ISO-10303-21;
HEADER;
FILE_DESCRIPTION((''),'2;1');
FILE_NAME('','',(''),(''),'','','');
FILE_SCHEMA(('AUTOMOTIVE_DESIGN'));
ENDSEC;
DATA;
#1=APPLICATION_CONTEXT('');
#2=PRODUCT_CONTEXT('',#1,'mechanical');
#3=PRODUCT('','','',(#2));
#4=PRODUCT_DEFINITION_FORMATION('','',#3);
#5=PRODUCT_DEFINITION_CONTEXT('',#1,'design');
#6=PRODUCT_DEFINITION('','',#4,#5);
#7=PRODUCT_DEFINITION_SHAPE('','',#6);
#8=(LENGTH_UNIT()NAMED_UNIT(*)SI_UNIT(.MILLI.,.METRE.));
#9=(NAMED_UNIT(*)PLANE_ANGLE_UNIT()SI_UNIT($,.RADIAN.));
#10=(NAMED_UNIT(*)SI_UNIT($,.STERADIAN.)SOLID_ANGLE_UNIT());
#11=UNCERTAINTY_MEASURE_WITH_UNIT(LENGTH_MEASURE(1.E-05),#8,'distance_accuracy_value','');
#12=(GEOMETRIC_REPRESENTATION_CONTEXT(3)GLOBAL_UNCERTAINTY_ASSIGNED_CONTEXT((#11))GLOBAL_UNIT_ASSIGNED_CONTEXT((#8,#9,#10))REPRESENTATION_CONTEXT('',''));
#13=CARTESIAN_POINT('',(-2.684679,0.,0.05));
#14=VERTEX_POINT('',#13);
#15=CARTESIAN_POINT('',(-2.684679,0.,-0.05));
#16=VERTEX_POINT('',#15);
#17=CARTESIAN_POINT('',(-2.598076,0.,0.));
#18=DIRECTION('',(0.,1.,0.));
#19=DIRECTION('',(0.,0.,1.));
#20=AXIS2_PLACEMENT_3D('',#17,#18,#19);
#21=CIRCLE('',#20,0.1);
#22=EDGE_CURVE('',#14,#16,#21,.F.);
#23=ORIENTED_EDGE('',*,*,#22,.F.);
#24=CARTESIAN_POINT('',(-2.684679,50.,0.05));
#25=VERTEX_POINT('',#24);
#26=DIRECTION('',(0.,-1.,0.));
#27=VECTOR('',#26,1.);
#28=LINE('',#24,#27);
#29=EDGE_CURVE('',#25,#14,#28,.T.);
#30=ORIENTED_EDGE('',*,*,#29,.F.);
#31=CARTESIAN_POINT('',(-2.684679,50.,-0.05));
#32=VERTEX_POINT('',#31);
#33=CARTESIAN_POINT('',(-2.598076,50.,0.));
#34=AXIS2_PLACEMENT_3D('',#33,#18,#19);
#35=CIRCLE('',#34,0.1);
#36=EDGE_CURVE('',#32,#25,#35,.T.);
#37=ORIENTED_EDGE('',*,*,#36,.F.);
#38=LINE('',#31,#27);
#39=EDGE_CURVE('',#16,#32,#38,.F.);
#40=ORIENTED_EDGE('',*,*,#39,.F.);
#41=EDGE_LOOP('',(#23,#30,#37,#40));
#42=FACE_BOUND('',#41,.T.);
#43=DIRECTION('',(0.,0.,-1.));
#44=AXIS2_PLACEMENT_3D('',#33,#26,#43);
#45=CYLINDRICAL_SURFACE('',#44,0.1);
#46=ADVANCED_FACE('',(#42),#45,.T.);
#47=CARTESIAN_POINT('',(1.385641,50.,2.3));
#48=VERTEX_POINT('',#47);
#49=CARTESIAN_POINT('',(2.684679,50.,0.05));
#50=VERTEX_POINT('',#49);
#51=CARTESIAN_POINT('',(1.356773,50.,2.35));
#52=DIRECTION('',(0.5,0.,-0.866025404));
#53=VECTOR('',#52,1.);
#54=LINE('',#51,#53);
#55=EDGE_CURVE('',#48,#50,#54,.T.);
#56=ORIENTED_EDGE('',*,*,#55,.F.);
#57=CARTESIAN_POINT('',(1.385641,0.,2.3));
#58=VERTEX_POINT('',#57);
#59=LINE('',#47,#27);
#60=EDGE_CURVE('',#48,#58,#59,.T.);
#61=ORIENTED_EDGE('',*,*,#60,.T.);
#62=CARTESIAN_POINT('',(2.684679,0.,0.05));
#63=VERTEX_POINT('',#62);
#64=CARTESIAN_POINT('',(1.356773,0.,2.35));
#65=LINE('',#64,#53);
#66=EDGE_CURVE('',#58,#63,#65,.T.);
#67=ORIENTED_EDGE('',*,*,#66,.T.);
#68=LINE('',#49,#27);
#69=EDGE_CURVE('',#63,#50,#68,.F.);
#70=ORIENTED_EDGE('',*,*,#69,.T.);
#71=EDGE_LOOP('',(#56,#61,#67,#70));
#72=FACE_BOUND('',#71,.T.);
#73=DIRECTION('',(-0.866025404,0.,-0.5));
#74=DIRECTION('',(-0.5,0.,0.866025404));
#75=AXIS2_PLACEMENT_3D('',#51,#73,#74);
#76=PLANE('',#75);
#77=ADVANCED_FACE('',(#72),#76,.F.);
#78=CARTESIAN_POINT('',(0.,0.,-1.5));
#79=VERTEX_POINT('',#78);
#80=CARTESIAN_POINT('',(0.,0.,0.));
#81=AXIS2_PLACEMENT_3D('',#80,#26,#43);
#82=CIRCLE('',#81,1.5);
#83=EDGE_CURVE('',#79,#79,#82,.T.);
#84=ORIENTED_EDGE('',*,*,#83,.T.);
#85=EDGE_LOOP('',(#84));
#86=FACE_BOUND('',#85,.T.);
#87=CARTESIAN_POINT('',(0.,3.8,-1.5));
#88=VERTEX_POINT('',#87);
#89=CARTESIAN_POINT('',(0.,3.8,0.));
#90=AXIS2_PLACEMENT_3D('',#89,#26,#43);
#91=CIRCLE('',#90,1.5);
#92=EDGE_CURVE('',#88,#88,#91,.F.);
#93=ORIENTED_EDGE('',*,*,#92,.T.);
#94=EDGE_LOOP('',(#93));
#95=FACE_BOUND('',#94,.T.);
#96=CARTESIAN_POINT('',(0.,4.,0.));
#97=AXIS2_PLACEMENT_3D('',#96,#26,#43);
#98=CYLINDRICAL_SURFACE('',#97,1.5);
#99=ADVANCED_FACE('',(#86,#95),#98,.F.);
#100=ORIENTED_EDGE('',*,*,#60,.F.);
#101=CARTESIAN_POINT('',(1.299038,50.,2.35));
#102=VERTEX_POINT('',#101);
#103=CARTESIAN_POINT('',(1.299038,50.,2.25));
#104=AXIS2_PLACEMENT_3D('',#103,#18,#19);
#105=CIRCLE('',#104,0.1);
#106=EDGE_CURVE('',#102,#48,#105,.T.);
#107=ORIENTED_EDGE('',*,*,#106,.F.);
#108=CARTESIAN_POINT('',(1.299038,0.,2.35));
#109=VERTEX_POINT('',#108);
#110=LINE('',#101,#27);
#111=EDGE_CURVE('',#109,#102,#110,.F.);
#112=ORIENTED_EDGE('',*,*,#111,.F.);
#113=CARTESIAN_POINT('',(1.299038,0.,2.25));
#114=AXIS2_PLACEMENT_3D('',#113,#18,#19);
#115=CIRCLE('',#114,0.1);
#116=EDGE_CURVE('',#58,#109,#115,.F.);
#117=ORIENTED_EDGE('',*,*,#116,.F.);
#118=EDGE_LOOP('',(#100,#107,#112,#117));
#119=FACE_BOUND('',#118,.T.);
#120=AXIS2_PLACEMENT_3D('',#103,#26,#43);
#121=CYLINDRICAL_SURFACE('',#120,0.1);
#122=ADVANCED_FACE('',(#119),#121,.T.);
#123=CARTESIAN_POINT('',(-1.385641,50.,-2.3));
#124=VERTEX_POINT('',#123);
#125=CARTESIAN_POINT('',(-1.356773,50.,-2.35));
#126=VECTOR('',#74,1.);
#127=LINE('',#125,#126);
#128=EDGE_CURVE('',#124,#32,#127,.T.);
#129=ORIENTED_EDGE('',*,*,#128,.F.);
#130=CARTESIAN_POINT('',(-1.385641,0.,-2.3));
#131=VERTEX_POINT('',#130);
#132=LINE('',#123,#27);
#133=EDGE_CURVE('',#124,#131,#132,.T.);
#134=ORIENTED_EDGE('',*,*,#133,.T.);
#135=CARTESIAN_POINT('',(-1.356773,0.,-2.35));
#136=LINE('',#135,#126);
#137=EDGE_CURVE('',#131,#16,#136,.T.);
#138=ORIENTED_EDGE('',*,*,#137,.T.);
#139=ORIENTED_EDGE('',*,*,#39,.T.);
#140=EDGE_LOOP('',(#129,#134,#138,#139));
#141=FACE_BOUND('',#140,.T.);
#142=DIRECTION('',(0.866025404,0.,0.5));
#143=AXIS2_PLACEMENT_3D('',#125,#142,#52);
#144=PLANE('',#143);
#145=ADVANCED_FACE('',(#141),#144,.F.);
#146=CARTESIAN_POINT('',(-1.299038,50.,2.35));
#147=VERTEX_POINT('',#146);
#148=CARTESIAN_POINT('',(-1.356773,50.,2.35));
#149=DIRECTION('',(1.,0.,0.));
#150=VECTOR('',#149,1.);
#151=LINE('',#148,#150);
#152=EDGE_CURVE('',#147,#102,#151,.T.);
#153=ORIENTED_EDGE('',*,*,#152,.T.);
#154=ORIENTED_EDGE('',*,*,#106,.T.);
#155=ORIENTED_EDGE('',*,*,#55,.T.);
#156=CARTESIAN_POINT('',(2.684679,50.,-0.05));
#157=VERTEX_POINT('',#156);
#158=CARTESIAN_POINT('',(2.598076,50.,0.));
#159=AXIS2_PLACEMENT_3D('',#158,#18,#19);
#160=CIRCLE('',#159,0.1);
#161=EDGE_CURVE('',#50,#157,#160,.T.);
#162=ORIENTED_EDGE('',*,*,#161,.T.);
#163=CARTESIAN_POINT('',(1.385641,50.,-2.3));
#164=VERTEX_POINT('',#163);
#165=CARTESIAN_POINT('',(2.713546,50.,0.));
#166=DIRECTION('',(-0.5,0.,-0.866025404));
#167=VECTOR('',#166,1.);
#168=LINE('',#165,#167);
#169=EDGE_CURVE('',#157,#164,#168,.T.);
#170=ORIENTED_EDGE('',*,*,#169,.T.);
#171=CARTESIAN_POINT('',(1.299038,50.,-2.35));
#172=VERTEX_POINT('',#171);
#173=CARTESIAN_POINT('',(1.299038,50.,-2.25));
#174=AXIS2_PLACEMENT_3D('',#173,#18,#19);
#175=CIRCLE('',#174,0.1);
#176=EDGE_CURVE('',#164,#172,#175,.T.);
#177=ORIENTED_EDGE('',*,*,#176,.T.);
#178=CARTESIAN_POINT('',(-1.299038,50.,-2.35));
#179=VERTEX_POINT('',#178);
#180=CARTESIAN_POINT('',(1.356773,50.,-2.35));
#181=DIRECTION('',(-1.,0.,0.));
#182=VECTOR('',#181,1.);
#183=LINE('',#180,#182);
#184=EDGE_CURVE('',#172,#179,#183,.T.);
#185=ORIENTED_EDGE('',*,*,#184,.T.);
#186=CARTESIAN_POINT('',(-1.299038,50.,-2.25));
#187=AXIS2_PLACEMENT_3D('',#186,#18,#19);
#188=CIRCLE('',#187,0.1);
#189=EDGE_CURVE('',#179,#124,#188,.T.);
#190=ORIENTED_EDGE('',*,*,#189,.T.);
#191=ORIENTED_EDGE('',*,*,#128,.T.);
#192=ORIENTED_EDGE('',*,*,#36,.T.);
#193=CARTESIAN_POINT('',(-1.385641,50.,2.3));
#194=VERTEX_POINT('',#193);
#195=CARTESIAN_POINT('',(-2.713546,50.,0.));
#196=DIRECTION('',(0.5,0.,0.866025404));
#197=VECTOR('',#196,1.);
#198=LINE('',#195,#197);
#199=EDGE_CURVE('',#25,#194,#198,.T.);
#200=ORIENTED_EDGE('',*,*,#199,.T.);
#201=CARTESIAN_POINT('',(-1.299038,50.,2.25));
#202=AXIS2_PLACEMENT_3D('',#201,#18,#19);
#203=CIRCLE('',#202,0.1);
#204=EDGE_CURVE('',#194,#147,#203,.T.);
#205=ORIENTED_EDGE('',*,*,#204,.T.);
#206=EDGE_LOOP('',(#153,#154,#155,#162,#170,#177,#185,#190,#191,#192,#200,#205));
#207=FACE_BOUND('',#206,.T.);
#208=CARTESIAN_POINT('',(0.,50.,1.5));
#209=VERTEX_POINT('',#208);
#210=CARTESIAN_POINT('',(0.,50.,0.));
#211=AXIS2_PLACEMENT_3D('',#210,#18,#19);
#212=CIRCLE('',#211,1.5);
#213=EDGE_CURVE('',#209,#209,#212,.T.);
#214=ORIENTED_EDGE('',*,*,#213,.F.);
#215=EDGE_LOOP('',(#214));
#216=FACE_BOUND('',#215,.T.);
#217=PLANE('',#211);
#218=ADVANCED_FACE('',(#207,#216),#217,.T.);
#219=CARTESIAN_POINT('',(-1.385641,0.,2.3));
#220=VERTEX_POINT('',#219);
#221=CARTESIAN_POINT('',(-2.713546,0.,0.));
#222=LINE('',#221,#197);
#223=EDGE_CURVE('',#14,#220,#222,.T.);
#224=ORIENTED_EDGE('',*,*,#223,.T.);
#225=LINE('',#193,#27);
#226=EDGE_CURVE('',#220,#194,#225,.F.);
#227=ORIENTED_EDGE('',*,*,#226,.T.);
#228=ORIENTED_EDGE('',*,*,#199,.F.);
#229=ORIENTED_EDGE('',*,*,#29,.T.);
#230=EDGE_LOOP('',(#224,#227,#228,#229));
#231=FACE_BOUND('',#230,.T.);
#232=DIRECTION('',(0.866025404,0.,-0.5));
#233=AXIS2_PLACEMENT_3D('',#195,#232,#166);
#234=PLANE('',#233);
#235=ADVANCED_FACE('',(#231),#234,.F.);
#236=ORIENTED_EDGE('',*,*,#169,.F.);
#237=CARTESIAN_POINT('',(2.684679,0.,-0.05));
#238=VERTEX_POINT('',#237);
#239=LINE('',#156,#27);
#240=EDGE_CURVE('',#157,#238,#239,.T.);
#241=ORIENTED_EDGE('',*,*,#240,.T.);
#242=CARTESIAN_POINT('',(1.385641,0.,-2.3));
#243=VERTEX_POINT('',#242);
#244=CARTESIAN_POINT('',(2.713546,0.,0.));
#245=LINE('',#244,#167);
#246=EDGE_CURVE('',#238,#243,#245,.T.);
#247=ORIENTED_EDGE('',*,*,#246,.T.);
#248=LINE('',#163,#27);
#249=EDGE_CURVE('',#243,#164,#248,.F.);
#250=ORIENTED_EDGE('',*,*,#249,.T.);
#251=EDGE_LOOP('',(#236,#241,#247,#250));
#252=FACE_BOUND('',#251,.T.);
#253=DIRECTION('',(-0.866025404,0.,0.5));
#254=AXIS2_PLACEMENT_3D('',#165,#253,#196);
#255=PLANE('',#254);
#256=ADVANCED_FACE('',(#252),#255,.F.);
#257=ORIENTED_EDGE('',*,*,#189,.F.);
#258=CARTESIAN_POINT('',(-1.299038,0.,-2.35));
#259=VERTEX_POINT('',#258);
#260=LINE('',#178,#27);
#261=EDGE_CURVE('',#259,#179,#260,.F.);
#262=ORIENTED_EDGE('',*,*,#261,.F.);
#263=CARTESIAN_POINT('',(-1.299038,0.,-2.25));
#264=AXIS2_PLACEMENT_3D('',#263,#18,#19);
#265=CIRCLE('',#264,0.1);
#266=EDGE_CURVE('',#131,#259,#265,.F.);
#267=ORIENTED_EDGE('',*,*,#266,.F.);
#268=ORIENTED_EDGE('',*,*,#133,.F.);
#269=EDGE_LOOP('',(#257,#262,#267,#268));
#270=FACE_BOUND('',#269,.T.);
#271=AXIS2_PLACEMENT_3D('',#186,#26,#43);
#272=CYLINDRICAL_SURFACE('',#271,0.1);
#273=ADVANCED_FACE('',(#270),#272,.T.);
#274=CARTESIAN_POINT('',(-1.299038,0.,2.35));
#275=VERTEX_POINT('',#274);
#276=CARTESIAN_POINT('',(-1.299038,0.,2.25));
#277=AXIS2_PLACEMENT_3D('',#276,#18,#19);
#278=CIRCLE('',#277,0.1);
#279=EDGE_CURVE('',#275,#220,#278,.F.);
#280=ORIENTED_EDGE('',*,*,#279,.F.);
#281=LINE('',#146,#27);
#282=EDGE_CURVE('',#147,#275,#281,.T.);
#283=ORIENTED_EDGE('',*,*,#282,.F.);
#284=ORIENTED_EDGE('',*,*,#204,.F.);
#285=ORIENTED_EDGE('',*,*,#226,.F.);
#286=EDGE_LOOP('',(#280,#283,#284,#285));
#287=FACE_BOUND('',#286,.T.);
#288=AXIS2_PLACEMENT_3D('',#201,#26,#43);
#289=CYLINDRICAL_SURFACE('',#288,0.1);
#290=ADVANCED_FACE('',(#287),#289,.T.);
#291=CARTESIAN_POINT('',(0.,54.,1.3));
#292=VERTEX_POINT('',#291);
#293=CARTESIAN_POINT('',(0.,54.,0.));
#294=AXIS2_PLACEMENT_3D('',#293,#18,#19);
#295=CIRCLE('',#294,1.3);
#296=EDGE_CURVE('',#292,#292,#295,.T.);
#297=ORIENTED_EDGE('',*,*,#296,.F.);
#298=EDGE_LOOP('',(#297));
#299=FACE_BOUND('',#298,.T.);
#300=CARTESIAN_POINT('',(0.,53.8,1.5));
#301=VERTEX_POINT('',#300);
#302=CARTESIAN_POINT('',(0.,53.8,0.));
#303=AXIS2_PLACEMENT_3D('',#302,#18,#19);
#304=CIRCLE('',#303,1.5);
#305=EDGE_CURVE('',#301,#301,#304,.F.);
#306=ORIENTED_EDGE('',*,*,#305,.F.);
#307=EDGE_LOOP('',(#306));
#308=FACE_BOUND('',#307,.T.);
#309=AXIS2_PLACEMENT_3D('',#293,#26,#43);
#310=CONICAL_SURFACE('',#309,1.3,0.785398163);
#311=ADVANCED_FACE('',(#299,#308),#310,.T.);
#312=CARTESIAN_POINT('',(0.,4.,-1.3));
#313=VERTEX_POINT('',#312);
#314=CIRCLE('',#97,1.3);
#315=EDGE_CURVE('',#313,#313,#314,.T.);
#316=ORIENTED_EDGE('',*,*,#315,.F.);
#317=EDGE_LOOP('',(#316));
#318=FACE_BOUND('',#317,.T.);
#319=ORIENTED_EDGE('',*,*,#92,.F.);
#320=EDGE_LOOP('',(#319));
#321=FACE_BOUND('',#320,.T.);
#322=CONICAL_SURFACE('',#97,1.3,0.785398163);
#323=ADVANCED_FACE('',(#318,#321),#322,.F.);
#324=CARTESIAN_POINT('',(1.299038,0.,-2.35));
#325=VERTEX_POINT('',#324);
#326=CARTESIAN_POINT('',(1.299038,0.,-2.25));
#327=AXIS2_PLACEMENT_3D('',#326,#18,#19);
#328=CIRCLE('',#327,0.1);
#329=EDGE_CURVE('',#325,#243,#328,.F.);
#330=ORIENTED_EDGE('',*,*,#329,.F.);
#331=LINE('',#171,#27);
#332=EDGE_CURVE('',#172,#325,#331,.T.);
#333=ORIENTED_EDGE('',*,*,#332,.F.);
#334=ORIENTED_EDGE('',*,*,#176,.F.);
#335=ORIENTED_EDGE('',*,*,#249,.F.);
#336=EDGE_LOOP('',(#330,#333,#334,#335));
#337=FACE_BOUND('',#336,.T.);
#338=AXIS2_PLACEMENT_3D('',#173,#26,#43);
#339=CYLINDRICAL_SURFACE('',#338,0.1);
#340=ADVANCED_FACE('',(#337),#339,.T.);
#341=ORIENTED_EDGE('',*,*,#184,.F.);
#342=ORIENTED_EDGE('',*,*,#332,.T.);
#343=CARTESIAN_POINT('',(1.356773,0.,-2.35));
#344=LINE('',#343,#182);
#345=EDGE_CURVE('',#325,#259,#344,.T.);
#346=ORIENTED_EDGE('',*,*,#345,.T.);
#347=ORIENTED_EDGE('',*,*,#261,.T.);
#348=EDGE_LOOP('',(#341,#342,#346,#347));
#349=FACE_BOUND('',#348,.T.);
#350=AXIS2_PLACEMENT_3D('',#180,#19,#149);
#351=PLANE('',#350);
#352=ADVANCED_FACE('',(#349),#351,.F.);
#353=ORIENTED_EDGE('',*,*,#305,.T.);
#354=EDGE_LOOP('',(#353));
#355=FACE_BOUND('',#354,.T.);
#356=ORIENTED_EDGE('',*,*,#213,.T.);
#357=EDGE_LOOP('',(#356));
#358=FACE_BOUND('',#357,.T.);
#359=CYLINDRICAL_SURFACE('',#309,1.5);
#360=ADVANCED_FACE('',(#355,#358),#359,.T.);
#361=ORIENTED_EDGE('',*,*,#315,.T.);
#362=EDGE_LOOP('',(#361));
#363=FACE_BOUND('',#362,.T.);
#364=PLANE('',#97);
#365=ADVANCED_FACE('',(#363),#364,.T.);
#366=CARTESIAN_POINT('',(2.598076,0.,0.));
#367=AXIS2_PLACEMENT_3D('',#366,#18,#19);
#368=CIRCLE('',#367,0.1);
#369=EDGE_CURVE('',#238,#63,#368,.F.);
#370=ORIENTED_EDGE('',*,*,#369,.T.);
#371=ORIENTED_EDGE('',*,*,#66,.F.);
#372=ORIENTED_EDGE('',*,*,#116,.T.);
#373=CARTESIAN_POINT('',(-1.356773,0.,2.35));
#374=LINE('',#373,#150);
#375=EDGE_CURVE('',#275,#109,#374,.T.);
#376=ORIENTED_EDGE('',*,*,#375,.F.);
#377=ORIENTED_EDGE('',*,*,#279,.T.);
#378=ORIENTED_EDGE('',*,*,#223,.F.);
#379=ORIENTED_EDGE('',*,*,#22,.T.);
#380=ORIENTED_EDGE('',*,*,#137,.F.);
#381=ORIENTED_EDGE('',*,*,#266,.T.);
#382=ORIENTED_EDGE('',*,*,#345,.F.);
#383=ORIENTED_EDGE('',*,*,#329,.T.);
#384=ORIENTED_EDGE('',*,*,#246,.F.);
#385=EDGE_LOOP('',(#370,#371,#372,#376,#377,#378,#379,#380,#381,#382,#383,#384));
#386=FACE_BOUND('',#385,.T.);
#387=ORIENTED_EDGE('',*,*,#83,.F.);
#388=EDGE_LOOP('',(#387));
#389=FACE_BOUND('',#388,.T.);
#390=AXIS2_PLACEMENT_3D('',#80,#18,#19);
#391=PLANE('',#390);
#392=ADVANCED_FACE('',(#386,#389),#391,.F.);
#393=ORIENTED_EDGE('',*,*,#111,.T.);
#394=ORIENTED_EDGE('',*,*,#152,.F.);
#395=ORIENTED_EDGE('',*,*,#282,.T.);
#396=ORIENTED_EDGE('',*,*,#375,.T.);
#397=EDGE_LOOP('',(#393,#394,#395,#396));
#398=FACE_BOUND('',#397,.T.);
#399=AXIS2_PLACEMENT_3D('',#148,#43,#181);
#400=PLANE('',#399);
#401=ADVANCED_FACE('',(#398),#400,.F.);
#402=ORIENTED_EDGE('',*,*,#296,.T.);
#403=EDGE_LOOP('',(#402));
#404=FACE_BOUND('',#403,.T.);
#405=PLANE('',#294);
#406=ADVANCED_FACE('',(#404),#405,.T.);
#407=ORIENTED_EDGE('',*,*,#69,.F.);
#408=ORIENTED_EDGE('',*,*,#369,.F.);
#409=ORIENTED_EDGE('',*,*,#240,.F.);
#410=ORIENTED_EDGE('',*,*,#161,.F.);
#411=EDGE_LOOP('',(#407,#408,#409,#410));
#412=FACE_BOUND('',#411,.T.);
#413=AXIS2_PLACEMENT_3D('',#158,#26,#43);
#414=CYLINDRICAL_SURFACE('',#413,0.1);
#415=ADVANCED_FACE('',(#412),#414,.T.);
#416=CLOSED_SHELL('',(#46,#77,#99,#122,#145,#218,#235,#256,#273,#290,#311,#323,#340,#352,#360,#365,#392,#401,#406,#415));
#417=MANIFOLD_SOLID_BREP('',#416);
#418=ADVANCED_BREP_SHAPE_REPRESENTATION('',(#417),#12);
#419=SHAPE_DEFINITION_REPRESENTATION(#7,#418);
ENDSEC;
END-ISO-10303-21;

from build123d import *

# Parameters (mm, degrees)
EXTRUDE_1_DEPTH     = 50
SKETCH_2_R          = 1.5
EXTRUDE_2_DEPTH     = 4
SKETCH_3_R          = 1.5
CUT_EXTRUDE_1_DEPTH = 4
CHAMFER_1_SIZE      = 0.2
FILLET_1_R          = 0.1


with BuildPart() as part:
    # 草图1 → 凸台-拉伸1 (new body)
    with BuildSketch(Plane(origin=(0, 0, 0), x_dir=(1, 0, 0), z_dir=(0, 1, 0))):
        Polygon((2.713546265, 0), (1.356773133, 2.35), (-1.356773133, 2.35), (-2.713546265, 0), (-1.356773133, -2.35), (1.356773133, -2.35), align=None)
    extrude(amount=EXTRUDE_1_DEPTH)

    # 草图2 → 凸台-拉伸2 (add)
    with BuildSketch(Plane(origin=(0, 50, 0), x_dir=(1, 0, 0), z_dir=(0, 1, 0))):
        Circle(SKETCH_2_R)
    extrude(amount=EXTRUDE_2_DEPTH)

    # 草图3 → 切除-拉伸1 (cut)
    with BuildSketch(Plane.XZ):
        Circle(SKETCH_3_R)
    extrude(amount=-CUT_EXTRUDE_1_DEPTH, mode=Mode.SUBTRACT)

    # 倒角1
    chamfer_1_edges = [part.edges().sort_by_distance(p)[0] for p in [
        (-1.5, 4, 0),
        (-1.5, 54, 0),
    ]]
    chamfer(chamfer_1_edges, length=CHAMFER_1_SIZE)

    # 圆角1
    fillet_1_edges = [part.edges().sort_by_distance(p)[0] for p in [
        (2.713546265, 25, 0),
        (1.356773133, 25, -2.35),
        (1.356773133, 25, 2.35),
        (-1.356773133, 25, -2.35),
        (-1.356773133, 25, 2.35),
        (-2.713546265, 25, 0),
    ]]
    fillet(fillet_1_edges, radius=FILLET_1_R)


solid = part.part
